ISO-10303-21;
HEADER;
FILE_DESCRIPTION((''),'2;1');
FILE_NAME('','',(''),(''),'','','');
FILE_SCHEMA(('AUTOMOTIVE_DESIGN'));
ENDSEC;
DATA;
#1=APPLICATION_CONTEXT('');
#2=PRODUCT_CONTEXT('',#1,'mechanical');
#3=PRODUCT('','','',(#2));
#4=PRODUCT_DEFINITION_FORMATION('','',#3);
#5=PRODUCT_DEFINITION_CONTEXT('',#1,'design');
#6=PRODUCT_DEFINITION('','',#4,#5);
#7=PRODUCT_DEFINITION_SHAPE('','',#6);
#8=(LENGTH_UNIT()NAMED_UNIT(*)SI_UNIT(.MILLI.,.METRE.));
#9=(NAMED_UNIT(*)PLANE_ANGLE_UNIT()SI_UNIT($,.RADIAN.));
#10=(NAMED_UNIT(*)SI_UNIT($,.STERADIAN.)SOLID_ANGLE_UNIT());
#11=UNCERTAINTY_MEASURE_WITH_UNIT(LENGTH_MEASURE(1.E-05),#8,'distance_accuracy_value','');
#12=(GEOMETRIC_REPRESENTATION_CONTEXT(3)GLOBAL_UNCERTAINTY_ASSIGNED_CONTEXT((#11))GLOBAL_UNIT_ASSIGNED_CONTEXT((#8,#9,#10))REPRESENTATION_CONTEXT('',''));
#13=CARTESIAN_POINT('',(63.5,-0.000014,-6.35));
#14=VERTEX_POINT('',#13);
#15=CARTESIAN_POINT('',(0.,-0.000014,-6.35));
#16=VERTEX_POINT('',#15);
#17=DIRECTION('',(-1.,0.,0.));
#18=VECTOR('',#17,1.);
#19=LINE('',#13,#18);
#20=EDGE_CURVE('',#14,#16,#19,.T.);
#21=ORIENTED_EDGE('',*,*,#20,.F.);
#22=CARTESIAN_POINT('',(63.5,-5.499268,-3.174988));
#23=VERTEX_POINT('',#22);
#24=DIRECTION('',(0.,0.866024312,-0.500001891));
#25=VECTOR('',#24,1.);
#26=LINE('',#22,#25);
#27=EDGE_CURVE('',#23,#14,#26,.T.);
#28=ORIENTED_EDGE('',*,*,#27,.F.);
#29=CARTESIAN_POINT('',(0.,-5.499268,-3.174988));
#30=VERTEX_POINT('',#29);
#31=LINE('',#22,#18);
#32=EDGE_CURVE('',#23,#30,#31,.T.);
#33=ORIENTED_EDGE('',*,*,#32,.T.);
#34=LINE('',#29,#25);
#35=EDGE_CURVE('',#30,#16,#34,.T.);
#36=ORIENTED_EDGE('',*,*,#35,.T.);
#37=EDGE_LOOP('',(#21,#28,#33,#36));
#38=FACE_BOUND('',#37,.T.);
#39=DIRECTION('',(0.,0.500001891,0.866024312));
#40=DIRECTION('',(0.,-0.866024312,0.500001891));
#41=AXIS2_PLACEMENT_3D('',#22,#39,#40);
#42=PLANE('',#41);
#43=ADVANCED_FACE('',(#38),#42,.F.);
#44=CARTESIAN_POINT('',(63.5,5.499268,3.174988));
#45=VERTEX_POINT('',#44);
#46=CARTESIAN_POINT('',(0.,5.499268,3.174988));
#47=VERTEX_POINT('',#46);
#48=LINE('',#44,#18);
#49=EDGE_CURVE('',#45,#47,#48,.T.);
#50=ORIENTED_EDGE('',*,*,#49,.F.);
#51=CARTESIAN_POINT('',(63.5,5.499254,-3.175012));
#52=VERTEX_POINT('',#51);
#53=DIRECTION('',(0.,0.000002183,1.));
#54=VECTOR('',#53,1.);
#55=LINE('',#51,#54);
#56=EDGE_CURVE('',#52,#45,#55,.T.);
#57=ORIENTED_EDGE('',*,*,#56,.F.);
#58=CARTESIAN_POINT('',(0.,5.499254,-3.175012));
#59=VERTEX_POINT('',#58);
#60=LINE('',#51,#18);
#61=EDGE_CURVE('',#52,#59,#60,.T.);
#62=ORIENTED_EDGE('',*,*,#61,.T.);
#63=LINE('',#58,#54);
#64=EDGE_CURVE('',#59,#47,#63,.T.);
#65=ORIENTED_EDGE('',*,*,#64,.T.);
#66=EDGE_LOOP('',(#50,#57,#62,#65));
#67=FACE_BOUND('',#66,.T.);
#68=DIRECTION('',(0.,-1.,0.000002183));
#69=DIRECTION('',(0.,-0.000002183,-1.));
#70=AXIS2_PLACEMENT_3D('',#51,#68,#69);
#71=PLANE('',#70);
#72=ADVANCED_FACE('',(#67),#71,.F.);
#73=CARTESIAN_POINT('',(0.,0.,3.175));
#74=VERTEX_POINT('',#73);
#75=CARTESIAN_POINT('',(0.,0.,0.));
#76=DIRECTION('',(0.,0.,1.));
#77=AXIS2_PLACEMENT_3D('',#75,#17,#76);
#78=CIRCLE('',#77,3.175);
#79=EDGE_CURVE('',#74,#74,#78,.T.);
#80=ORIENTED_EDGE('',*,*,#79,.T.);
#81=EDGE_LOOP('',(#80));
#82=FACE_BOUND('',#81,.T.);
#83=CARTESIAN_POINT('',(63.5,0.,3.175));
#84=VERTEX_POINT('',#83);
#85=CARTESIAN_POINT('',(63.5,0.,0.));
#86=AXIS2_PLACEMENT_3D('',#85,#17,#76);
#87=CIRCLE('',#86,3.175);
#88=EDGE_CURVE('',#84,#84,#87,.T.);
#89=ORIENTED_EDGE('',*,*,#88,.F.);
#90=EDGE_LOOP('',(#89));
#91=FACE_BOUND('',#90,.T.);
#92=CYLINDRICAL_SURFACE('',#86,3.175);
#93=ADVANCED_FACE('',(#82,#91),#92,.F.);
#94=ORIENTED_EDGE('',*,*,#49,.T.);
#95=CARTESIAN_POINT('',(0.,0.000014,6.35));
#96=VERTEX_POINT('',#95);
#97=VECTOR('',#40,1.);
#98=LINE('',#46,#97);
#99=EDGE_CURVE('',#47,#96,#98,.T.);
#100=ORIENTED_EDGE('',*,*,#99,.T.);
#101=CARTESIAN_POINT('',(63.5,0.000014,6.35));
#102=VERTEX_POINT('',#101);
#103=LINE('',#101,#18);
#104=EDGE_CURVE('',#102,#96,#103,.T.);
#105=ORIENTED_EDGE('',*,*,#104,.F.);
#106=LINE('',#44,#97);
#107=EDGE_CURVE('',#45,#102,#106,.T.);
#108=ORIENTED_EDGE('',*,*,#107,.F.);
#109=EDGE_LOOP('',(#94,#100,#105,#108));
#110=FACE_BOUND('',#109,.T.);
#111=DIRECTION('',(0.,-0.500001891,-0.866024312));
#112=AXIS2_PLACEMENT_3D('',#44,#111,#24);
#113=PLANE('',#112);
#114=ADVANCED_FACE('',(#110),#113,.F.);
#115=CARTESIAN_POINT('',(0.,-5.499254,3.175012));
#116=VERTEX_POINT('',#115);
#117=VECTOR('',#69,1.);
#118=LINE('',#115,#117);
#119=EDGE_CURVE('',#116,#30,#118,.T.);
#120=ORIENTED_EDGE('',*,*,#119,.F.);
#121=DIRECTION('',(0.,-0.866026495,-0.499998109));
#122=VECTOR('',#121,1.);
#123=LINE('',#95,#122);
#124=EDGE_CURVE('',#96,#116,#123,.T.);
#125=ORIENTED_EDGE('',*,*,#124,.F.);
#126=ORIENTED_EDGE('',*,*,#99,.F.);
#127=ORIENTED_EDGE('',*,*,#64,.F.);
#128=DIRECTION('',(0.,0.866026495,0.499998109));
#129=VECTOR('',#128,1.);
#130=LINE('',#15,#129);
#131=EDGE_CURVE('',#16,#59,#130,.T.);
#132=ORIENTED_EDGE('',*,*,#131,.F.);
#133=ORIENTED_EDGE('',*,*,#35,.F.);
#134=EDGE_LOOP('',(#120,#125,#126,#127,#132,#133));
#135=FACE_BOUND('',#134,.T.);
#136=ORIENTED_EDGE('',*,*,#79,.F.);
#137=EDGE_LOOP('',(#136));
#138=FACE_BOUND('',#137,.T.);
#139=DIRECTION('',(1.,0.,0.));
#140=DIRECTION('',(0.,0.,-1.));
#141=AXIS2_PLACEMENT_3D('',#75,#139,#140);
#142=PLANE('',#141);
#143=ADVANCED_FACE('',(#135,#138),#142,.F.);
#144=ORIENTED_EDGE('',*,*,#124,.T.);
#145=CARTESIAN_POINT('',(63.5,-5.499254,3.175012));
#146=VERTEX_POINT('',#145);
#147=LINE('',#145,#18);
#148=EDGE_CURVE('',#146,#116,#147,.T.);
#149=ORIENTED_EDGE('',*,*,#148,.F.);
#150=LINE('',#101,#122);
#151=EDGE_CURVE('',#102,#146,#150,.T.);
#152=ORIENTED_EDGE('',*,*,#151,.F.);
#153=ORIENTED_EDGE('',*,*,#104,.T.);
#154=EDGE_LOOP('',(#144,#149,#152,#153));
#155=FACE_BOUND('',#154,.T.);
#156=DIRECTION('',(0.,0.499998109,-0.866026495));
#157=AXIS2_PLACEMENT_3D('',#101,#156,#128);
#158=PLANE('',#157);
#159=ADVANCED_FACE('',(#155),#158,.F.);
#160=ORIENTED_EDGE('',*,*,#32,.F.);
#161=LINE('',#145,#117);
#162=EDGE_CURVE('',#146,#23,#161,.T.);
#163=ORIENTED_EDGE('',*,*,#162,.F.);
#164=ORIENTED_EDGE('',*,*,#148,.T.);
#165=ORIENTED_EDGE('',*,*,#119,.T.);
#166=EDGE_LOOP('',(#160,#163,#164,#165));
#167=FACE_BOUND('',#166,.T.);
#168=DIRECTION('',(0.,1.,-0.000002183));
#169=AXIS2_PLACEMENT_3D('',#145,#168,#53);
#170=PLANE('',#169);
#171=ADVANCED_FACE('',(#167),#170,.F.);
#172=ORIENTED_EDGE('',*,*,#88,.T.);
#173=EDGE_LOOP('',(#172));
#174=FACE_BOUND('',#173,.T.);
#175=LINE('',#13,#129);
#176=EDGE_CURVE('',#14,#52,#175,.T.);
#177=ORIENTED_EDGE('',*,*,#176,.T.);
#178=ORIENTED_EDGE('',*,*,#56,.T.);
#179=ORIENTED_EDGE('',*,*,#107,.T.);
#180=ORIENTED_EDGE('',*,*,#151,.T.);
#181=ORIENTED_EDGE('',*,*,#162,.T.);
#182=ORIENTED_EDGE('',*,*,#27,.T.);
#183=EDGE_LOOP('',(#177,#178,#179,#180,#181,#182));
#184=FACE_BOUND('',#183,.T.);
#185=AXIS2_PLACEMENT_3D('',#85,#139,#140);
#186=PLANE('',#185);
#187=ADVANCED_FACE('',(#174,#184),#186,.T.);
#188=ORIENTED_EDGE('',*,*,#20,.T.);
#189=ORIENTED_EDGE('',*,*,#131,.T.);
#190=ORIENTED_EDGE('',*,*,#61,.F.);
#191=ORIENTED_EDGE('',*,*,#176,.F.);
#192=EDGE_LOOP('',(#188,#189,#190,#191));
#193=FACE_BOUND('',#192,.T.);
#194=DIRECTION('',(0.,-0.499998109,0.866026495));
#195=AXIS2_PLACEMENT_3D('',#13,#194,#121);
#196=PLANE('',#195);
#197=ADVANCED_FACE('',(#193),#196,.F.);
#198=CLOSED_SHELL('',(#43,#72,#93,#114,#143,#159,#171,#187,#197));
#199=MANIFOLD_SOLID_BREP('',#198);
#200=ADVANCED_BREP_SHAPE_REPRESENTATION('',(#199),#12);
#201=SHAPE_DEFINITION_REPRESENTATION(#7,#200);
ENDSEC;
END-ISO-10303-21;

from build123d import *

# Parameters (mm, degrees)
BOSS_EXTRUDE1_DEPTH = 63.5
SKETCH2_R           = 3.175
CUT_EXTRUDE1_DEPTH  = 64.5


with BuildPart() as part:
    # Sketch1 → Boss-Extrude1 (new body)
    with BuildSketch(Plane(origin=(0, 0, 0), x_dir=(0, 0, -1), z_dir=(1, 0, 0))):
        Polygon((6.35, -1.3864e-05), (3.175012007, 5.499254382), (-3.174987993, 5.499268246), (-6.35, 1.3864e-05), (-3.175012007, -5.499254382), (3.174987993, -5.499268246), align=None)
    extrude(amount=BOSS_EXTRUDE1_DEPTH)

    # Sketch2 → Cut-Extrude1 (cut, through all)
    with BuildSketch(Plane.ZY):
        Circle(SKETCH2_R)
    extrude(amount=-CUT_EXTRUDE1_DEPTH, mode=Mode.SUBTRACT)


solid = part.part
